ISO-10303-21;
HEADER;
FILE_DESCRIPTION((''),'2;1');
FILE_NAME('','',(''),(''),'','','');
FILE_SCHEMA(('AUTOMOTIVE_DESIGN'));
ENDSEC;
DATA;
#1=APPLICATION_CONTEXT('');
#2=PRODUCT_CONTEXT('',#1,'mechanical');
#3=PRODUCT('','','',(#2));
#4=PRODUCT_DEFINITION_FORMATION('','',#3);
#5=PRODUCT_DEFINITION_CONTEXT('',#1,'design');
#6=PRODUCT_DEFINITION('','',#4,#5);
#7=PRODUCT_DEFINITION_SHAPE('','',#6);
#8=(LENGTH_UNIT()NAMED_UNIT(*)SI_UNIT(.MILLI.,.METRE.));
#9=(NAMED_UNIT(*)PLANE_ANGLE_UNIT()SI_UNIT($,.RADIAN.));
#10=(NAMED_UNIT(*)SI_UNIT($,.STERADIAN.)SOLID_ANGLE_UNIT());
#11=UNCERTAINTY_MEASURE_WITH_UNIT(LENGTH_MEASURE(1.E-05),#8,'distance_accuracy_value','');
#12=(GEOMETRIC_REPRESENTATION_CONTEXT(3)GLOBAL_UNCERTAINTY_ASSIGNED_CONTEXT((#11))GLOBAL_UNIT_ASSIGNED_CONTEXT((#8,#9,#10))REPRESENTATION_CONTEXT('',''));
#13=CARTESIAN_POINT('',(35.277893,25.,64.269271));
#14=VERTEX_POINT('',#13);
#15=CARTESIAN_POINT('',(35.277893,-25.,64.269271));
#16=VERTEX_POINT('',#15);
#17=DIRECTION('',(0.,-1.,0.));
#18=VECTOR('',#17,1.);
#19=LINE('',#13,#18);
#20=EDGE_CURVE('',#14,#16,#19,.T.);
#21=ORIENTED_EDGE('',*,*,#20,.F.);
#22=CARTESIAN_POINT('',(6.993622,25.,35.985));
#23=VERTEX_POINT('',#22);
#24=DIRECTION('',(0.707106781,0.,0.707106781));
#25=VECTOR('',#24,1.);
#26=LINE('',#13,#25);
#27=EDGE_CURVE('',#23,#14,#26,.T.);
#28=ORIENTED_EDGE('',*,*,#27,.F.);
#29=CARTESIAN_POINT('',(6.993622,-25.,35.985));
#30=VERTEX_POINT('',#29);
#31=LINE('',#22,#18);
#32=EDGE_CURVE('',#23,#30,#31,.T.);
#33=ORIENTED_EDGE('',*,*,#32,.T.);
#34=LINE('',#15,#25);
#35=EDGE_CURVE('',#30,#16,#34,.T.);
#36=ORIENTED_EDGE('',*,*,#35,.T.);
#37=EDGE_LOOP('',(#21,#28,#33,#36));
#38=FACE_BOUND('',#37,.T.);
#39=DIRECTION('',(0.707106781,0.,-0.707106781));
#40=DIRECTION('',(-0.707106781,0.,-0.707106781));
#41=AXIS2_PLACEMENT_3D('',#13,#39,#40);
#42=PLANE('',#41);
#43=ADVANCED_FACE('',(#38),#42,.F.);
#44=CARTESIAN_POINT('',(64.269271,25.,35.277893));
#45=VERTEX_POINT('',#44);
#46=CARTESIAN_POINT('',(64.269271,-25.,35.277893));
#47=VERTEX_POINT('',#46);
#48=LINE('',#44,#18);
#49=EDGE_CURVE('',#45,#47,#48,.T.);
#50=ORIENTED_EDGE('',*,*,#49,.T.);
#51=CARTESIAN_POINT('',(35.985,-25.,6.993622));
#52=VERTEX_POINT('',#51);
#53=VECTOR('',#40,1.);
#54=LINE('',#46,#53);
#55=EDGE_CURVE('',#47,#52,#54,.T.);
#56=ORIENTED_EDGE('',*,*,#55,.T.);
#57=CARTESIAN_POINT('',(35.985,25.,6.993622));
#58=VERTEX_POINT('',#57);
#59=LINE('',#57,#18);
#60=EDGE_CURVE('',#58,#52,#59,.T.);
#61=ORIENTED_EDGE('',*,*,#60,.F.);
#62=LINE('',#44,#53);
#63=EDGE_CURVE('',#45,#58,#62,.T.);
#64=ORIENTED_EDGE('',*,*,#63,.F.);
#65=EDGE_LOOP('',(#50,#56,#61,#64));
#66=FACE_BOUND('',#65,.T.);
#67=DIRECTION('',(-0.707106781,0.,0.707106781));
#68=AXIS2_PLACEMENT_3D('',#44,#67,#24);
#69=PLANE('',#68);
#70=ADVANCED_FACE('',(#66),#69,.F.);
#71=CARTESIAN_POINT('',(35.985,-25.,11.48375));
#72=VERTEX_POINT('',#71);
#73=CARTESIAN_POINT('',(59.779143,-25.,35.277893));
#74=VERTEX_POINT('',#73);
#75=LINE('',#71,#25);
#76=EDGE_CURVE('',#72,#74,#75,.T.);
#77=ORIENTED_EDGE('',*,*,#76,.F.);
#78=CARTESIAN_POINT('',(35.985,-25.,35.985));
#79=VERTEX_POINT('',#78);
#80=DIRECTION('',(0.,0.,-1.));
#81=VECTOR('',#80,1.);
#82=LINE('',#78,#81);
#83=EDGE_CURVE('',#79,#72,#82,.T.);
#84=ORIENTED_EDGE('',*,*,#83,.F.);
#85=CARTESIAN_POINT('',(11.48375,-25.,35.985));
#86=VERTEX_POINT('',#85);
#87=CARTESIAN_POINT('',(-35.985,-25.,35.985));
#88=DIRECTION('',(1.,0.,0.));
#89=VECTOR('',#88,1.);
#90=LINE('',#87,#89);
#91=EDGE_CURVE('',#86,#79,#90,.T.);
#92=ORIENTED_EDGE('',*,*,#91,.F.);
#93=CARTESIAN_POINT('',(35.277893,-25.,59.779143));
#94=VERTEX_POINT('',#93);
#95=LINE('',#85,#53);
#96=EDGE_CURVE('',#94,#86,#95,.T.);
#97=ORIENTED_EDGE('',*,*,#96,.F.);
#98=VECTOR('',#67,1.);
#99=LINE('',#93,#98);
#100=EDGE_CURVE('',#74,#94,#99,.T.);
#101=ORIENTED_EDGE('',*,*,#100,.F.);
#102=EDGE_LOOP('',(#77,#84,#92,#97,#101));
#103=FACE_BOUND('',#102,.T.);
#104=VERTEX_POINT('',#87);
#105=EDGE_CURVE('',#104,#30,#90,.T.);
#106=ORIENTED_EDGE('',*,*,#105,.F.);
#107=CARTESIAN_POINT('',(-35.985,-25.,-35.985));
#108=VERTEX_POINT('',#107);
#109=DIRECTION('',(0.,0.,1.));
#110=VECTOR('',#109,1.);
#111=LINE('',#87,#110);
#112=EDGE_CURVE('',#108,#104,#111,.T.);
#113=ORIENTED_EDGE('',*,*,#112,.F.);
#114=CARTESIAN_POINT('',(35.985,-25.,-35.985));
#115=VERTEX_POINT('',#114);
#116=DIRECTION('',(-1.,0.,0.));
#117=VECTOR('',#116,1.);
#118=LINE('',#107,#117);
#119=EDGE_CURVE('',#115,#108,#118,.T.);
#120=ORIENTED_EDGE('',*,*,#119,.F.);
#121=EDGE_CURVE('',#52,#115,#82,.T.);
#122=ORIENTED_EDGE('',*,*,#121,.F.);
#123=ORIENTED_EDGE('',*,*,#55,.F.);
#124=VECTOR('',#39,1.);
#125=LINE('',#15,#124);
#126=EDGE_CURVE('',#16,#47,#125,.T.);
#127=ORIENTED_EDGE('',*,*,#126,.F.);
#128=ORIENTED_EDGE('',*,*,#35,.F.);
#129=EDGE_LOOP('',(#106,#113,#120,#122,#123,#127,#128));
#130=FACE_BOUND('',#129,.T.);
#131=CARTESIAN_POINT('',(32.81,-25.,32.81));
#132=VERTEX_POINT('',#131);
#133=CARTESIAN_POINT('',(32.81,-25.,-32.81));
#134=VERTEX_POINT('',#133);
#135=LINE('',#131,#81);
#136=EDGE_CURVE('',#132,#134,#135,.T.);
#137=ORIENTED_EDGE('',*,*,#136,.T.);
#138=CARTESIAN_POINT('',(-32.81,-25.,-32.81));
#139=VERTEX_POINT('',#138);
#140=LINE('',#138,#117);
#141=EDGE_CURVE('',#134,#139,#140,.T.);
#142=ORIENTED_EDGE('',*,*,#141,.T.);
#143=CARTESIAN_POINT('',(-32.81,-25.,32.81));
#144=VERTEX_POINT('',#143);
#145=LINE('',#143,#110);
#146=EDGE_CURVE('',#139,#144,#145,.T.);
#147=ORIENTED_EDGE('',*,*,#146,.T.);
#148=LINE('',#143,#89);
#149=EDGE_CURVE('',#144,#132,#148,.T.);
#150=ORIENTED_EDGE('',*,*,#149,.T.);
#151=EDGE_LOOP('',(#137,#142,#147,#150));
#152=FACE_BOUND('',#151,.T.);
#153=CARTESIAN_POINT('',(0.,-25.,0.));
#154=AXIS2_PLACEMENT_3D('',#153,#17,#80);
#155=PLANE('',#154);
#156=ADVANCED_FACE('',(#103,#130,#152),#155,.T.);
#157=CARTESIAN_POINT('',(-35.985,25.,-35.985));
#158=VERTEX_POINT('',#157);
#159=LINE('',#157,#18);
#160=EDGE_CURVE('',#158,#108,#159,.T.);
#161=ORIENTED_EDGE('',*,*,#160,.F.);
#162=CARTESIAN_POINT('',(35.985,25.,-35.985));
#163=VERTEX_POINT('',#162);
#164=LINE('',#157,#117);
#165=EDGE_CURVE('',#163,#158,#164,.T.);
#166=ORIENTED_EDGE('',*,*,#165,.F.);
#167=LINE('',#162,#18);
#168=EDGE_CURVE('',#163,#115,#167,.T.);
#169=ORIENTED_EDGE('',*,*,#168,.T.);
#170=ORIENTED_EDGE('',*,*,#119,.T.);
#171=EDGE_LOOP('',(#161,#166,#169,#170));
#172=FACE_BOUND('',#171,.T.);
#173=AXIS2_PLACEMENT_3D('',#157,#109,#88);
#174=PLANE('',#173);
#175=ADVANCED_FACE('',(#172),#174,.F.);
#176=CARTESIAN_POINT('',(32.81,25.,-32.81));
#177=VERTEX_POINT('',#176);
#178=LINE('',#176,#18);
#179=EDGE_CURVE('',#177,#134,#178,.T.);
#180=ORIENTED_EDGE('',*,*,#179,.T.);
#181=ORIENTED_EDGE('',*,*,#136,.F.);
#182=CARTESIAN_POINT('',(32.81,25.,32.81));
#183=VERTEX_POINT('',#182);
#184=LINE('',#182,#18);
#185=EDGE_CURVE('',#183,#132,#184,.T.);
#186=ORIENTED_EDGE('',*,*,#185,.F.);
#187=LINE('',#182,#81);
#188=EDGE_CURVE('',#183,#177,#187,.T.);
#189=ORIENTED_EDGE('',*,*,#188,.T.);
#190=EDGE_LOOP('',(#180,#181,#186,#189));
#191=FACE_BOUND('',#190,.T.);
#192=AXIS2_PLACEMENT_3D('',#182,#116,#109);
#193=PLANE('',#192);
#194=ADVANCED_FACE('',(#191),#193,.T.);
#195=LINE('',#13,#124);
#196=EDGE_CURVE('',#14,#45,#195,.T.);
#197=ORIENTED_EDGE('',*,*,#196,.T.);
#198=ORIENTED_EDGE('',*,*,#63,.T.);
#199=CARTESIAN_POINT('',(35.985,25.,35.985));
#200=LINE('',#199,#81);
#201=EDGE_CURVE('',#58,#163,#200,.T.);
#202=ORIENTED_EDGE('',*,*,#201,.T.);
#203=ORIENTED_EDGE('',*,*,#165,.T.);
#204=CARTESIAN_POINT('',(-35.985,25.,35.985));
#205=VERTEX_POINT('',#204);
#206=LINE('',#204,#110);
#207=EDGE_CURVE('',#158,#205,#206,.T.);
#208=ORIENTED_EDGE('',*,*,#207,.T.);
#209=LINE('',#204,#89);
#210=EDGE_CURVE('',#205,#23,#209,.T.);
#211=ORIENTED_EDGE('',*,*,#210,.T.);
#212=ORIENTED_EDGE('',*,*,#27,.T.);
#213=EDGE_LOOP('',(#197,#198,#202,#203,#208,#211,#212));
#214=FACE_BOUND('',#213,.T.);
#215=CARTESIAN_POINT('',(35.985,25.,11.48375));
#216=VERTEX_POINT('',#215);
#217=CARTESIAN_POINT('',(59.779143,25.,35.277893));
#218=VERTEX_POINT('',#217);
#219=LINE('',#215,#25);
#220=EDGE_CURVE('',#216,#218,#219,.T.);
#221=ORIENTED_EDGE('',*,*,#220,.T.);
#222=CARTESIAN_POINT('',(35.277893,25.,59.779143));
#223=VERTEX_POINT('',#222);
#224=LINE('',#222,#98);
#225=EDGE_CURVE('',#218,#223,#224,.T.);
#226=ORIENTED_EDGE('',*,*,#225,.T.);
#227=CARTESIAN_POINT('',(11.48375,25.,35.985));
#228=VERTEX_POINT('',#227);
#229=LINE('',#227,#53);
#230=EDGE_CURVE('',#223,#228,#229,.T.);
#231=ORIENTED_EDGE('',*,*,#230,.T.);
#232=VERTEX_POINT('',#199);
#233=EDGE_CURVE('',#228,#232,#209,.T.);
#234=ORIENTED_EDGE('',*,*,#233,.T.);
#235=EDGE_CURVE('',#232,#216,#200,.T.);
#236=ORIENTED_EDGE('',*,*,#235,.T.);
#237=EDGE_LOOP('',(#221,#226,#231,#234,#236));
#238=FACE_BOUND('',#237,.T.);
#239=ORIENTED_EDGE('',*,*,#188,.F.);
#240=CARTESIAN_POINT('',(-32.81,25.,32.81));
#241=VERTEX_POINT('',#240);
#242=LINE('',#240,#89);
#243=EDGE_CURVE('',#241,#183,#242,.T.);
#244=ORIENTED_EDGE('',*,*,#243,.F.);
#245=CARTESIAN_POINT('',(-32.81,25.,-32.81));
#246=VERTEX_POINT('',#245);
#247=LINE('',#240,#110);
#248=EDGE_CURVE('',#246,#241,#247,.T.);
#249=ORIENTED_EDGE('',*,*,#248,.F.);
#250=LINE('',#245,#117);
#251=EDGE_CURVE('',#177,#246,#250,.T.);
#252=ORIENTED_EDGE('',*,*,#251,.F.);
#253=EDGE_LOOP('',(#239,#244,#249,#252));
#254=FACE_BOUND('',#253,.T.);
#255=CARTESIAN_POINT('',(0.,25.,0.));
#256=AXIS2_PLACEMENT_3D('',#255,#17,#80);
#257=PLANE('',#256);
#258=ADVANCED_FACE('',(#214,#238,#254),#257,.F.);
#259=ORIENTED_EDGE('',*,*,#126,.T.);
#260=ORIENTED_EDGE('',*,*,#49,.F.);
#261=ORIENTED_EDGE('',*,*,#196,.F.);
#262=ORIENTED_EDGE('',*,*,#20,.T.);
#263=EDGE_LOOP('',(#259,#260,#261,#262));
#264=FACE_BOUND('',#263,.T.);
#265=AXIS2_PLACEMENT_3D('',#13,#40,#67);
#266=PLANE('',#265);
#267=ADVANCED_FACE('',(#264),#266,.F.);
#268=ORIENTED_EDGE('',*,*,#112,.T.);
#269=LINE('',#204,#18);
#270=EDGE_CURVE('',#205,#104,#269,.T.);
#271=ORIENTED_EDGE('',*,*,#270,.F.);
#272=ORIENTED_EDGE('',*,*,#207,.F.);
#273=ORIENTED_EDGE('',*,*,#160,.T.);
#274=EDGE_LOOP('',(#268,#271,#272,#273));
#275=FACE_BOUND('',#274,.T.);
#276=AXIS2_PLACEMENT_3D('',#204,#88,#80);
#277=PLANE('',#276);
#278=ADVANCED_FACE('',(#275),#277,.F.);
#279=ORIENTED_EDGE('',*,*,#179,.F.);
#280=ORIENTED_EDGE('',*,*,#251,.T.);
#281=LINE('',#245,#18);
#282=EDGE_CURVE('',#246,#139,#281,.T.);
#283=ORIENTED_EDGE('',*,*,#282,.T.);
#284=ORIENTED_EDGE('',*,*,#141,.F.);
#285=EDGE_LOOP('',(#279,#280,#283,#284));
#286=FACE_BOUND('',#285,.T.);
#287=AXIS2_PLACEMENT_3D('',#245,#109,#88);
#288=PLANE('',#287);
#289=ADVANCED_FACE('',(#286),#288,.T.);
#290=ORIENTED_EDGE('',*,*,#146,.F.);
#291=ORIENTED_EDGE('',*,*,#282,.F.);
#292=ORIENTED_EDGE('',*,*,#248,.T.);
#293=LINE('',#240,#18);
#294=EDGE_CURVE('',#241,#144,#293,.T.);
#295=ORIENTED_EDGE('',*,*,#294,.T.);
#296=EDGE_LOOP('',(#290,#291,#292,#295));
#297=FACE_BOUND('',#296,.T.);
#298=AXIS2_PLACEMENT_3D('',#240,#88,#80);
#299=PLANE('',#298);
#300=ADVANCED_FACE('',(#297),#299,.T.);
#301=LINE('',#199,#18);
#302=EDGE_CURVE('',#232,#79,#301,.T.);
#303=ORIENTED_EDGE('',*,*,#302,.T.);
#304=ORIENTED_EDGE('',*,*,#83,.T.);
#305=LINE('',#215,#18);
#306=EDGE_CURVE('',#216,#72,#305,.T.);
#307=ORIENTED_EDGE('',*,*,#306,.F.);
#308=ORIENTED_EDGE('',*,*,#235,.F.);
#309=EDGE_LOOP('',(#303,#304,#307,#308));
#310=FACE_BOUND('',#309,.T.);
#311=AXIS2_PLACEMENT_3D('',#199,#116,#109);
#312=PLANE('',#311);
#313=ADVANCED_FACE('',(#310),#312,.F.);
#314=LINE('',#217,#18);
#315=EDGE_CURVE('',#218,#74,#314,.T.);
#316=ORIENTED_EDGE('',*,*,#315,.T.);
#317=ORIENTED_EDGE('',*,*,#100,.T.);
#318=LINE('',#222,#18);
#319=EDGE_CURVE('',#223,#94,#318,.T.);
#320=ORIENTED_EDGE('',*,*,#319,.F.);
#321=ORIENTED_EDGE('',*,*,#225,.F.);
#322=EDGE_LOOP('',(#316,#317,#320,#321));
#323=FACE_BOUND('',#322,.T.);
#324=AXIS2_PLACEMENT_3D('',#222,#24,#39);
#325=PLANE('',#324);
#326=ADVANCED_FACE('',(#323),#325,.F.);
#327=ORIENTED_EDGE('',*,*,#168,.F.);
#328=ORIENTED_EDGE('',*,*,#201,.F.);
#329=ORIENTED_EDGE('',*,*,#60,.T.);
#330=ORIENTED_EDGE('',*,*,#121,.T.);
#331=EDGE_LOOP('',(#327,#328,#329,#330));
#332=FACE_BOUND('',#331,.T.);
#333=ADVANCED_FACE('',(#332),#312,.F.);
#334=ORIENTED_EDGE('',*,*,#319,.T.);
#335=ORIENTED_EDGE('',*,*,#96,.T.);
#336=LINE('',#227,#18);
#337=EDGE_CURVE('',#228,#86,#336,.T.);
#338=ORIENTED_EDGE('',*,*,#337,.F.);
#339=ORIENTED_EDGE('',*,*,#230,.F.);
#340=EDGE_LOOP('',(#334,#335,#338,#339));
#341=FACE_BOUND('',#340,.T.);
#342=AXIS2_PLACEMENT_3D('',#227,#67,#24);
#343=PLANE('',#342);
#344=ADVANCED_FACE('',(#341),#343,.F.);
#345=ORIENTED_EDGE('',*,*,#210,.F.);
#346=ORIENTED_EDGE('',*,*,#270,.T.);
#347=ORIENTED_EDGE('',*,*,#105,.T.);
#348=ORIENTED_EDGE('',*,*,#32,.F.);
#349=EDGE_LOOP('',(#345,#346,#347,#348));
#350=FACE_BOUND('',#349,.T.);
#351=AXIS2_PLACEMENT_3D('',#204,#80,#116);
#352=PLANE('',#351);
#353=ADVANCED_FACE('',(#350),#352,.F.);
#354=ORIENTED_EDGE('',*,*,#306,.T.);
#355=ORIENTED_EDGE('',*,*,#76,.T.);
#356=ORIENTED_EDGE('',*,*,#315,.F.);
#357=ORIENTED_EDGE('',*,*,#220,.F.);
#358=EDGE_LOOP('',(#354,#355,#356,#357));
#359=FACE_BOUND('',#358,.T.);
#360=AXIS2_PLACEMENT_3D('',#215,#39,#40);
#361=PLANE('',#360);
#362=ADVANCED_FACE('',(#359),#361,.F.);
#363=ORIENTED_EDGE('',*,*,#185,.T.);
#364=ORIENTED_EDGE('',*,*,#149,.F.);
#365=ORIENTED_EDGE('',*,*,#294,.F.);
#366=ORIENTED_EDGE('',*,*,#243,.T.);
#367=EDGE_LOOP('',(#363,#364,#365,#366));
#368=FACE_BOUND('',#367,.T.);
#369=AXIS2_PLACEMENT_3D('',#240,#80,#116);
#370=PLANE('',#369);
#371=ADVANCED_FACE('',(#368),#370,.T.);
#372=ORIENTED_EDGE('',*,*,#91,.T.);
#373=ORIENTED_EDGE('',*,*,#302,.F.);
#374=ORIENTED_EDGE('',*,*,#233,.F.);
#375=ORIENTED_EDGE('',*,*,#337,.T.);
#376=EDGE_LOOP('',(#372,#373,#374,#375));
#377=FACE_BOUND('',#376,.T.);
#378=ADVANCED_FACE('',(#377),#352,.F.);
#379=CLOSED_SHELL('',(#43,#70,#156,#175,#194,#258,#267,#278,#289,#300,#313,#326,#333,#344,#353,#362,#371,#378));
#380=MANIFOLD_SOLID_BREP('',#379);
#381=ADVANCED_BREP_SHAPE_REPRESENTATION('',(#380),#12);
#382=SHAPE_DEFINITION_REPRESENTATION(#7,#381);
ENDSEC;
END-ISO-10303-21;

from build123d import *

# Parameters (mm, degrees)
SKETCH1_W           = 71.97
SKETCH1_H           = 71.97
SKETCH1_W_2         = 65.62
SKETCH1_H_2         = 65.62
BOSS_EXTRUDE1_DEPTH = 25
BOSS_EXTRUDE2_DEPTH = 25


with BuildPart() as part:
    # Sketch1 → Boss-Extrude1 (new, symmetric)
    with BuildSketch(Plane(origin=(0, 0, 0), x_dir=(1, 0, 0), z_dir=(0, 1, 0))):
        Rectangle(SKETCH1_W, SKETCH1_H)
        Rectangle(SKETCH1_W_2, SKETCH1_H_2, mode=Mode.SUBTRACT)
    extrude(amount=BOSS_EXTRUDE1_DEPTH, both=True)

    # Sketch2 → Boss-Extrude2 (add, symmetric)
    with BuildSketch(Plane(origin=(0, 0, 0), x_dir=(1, 0, 0), z_dir=(0, 1, 0))):
        Polygon((35.277893219, -64.269271247), (6.993621971, -35.985), (11.483750032, -35.985), (35.277893219, -59.779143187), (59.779143187, -35.277893219), (35.985, -11.483750032), (35.985, -6.993621971), (64.269271247, -35.277893219), align=None)
    extrude(amount=BOSS_EXTRUDE2_DEPTH, both=True)


solid = part.part
